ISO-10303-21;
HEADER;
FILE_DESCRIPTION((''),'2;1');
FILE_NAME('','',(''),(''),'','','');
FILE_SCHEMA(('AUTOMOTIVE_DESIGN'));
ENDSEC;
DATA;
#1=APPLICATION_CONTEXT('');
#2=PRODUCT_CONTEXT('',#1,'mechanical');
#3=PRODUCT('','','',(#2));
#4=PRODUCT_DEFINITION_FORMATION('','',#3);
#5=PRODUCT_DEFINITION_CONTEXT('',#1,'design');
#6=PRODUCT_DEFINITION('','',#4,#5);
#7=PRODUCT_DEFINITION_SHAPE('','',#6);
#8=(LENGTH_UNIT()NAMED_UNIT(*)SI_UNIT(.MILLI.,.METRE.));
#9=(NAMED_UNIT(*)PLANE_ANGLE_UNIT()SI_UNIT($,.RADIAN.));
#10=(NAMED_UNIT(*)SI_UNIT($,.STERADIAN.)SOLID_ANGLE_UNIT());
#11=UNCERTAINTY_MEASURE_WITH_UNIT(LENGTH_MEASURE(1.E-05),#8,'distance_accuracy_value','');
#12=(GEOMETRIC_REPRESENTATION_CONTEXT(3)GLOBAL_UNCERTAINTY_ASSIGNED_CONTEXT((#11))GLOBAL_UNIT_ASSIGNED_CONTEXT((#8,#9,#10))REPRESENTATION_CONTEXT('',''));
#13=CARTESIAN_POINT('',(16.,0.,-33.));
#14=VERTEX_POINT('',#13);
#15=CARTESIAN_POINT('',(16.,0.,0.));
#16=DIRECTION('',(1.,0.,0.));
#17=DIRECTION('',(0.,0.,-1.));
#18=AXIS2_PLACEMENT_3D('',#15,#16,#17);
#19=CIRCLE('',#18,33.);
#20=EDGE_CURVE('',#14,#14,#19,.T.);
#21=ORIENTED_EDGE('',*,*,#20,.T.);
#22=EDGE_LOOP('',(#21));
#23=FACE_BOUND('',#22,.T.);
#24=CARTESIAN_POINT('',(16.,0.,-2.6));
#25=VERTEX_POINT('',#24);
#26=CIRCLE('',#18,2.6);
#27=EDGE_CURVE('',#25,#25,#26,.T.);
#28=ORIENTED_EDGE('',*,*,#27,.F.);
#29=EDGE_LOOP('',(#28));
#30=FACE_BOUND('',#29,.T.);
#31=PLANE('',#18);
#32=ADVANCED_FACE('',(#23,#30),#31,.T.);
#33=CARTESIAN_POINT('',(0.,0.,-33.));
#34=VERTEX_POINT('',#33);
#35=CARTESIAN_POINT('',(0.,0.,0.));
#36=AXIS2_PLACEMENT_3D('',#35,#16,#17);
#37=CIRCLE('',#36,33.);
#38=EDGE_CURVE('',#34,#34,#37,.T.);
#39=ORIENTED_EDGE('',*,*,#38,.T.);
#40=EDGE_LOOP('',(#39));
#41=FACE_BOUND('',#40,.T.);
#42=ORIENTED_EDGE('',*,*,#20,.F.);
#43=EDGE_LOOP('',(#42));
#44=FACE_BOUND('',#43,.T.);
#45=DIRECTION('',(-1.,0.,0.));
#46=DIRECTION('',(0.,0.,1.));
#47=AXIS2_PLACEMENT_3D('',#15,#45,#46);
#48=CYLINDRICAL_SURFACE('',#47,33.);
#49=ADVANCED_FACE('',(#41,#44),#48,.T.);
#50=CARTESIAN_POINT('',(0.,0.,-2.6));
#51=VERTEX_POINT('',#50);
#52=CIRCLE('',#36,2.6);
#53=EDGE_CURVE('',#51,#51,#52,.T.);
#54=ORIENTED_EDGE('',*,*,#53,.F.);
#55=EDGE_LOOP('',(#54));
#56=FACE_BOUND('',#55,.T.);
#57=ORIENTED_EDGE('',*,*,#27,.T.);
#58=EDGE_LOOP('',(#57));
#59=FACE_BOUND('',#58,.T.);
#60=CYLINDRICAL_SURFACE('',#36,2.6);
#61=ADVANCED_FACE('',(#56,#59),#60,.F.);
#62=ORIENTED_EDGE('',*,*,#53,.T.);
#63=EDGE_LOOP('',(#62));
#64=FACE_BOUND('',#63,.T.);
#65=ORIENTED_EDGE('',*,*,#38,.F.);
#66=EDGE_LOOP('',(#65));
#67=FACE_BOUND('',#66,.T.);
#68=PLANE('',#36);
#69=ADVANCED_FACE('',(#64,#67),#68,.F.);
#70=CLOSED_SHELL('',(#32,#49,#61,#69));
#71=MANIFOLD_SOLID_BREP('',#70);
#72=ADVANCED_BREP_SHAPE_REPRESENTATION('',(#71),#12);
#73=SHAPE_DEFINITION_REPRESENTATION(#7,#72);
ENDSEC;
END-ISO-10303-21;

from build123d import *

# Parameters (mm, degrees)
SKETCH_1_R          = 33
EXTRUDE_1_DEPTH     = 16
SKETCH_2_R          = 2.6
CUT_EXTRUDE_1_DEPTH = 16


with BuildPart() as part:
    # 草图1 → 凸台-拉伸1 (new body)
    with BuildSketch(Plane(origin=(0, 0, 0), x_dir=(0, 0, -1), z_dir=(1, 0, 0))):
        Circle(SKETCH_1_R)
    extrude(amount=EXTRUDE_1_DEPTH)

    # 草图2 → 切除-拉伸1 (cut)
    with BuildSketch(Plane(origin=(16, 0, 0), x_dir=(0, 0, -1), z_dir=(1, 0, 0))):
        Circle(SKETCH_2_R)
    extrude(amount=-CUT_EXTRUDE_1_DEPTH, mode=Mode.SUBTRACT)


solid = part.part
